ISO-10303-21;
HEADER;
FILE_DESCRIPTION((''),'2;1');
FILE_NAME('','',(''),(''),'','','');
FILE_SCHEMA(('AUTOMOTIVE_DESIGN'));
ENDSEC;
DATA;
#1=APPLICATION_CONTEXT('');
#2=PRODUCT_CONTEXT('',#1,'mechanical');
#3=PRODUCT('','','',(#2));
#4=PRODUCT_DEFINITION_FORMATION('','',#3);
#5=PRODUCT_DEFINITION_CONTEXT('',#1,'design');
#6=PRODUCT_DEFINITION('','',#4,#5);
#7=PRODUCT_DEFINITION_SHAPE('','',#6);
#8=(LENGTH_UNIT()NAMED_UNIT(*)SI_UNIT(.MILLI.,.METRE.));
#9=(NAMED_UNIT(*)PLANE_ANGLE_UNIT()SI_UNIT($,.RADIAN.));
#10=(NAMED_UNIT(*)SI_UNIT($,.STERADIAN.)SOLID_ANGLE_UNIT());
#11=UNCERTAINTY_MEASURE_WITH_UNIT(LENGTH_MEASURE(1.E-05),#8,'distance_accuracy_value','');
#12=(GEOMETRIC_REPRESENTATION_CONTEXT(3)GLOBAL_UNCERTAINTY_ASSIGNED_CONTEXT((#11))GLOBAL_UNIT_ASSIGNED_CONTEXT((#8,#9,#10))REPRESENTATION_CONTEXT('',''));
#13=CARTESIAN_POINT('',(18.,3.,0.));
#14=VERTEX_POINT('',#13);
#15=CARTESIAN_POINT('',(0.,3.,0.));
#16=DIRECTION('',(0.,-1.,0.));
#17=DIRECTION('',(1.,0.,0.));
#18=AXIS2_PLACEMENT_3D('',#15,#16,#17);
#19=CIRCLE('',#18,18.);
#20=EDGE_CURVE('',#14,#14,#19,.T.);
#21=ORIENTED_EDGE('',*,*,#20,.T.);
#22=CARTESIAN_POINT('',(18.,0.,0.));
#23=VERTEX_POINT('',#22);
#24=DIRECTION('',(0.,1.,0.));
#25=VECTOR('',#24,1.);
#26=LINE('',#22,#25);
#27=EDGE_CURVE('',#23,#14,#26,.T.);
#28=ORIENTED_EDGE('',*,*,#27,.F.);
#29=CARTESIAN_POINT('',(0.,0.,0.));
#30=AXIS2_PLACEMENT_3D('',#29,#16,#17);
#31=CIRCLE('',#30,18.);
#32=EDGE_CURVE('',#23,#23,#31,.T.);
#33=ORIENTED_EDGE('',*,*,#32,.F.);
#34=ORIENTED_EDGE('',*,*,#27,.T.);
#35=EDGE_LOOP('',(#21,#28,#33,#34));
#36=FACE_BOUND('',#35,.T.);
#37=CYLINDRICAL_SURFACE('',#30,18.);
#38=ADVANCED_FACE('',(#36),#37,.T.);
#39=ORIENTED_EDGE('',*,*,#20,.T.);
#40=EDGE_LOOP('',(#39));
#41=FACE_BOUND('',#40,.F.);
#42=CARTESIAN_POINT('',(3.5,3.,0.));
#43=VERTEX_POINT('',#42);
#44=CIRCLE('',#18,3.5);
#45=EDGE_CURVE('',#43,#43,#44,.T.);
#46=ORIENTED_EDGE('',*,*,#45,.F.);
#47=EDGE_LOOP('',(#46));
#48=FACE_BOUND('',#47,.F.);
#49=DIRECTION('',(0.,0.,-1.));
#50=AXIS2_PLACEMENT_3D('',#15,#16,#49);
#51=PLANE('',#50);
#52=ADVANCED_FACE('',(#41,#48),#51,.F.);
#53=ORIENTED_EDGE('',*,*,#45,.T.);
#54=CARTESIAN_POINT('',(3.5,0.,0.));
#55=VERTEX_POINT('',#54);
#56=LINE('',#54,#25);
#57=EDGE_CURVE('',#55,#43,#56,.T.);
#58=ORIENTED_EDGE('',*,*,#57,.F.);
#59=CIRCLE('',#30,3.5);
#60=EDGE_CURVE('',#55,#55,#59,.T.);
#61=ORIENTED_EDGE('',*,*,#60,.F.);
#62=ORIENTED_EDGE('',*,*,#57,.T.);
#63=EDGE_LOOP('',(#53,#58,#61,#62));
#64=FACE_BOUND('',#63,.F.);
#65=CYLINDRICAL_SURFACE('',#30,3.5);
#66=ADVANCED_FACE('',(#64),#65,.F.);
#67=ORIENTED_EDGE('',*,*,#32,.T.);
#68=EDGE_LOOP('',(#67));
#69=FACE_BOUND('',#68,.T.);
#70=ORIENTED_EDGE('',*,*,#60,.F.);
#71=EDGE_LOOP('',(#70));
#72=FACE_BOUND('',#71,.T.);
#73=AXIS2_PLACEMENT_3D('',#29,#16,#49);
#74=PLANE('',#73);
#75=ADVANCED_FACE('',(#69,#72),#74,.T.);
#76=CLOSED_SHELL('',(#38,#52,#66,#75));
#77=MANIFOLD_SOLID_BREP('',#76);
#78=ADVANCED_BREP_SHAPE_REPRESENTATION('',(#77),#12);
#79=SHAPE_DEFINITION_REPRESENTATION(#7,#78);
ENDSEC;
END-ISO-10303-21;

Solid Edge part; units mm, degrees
sketch "Sketch1" plane through (0, 0, 0) normal (0, -1, 0) x (1, 0, 0)
  circle A0 centre (0, 0) radius 18
  circle A1 centre (0, 0) radius 3.5
  dimension "D1" = 36
  dimension "D2" = 7
extrude "Protrusion1" add sketch "Sketch1" against normal blind 3
properties part number "1976-1100-013" material "Aluminio, 7075-T6"
